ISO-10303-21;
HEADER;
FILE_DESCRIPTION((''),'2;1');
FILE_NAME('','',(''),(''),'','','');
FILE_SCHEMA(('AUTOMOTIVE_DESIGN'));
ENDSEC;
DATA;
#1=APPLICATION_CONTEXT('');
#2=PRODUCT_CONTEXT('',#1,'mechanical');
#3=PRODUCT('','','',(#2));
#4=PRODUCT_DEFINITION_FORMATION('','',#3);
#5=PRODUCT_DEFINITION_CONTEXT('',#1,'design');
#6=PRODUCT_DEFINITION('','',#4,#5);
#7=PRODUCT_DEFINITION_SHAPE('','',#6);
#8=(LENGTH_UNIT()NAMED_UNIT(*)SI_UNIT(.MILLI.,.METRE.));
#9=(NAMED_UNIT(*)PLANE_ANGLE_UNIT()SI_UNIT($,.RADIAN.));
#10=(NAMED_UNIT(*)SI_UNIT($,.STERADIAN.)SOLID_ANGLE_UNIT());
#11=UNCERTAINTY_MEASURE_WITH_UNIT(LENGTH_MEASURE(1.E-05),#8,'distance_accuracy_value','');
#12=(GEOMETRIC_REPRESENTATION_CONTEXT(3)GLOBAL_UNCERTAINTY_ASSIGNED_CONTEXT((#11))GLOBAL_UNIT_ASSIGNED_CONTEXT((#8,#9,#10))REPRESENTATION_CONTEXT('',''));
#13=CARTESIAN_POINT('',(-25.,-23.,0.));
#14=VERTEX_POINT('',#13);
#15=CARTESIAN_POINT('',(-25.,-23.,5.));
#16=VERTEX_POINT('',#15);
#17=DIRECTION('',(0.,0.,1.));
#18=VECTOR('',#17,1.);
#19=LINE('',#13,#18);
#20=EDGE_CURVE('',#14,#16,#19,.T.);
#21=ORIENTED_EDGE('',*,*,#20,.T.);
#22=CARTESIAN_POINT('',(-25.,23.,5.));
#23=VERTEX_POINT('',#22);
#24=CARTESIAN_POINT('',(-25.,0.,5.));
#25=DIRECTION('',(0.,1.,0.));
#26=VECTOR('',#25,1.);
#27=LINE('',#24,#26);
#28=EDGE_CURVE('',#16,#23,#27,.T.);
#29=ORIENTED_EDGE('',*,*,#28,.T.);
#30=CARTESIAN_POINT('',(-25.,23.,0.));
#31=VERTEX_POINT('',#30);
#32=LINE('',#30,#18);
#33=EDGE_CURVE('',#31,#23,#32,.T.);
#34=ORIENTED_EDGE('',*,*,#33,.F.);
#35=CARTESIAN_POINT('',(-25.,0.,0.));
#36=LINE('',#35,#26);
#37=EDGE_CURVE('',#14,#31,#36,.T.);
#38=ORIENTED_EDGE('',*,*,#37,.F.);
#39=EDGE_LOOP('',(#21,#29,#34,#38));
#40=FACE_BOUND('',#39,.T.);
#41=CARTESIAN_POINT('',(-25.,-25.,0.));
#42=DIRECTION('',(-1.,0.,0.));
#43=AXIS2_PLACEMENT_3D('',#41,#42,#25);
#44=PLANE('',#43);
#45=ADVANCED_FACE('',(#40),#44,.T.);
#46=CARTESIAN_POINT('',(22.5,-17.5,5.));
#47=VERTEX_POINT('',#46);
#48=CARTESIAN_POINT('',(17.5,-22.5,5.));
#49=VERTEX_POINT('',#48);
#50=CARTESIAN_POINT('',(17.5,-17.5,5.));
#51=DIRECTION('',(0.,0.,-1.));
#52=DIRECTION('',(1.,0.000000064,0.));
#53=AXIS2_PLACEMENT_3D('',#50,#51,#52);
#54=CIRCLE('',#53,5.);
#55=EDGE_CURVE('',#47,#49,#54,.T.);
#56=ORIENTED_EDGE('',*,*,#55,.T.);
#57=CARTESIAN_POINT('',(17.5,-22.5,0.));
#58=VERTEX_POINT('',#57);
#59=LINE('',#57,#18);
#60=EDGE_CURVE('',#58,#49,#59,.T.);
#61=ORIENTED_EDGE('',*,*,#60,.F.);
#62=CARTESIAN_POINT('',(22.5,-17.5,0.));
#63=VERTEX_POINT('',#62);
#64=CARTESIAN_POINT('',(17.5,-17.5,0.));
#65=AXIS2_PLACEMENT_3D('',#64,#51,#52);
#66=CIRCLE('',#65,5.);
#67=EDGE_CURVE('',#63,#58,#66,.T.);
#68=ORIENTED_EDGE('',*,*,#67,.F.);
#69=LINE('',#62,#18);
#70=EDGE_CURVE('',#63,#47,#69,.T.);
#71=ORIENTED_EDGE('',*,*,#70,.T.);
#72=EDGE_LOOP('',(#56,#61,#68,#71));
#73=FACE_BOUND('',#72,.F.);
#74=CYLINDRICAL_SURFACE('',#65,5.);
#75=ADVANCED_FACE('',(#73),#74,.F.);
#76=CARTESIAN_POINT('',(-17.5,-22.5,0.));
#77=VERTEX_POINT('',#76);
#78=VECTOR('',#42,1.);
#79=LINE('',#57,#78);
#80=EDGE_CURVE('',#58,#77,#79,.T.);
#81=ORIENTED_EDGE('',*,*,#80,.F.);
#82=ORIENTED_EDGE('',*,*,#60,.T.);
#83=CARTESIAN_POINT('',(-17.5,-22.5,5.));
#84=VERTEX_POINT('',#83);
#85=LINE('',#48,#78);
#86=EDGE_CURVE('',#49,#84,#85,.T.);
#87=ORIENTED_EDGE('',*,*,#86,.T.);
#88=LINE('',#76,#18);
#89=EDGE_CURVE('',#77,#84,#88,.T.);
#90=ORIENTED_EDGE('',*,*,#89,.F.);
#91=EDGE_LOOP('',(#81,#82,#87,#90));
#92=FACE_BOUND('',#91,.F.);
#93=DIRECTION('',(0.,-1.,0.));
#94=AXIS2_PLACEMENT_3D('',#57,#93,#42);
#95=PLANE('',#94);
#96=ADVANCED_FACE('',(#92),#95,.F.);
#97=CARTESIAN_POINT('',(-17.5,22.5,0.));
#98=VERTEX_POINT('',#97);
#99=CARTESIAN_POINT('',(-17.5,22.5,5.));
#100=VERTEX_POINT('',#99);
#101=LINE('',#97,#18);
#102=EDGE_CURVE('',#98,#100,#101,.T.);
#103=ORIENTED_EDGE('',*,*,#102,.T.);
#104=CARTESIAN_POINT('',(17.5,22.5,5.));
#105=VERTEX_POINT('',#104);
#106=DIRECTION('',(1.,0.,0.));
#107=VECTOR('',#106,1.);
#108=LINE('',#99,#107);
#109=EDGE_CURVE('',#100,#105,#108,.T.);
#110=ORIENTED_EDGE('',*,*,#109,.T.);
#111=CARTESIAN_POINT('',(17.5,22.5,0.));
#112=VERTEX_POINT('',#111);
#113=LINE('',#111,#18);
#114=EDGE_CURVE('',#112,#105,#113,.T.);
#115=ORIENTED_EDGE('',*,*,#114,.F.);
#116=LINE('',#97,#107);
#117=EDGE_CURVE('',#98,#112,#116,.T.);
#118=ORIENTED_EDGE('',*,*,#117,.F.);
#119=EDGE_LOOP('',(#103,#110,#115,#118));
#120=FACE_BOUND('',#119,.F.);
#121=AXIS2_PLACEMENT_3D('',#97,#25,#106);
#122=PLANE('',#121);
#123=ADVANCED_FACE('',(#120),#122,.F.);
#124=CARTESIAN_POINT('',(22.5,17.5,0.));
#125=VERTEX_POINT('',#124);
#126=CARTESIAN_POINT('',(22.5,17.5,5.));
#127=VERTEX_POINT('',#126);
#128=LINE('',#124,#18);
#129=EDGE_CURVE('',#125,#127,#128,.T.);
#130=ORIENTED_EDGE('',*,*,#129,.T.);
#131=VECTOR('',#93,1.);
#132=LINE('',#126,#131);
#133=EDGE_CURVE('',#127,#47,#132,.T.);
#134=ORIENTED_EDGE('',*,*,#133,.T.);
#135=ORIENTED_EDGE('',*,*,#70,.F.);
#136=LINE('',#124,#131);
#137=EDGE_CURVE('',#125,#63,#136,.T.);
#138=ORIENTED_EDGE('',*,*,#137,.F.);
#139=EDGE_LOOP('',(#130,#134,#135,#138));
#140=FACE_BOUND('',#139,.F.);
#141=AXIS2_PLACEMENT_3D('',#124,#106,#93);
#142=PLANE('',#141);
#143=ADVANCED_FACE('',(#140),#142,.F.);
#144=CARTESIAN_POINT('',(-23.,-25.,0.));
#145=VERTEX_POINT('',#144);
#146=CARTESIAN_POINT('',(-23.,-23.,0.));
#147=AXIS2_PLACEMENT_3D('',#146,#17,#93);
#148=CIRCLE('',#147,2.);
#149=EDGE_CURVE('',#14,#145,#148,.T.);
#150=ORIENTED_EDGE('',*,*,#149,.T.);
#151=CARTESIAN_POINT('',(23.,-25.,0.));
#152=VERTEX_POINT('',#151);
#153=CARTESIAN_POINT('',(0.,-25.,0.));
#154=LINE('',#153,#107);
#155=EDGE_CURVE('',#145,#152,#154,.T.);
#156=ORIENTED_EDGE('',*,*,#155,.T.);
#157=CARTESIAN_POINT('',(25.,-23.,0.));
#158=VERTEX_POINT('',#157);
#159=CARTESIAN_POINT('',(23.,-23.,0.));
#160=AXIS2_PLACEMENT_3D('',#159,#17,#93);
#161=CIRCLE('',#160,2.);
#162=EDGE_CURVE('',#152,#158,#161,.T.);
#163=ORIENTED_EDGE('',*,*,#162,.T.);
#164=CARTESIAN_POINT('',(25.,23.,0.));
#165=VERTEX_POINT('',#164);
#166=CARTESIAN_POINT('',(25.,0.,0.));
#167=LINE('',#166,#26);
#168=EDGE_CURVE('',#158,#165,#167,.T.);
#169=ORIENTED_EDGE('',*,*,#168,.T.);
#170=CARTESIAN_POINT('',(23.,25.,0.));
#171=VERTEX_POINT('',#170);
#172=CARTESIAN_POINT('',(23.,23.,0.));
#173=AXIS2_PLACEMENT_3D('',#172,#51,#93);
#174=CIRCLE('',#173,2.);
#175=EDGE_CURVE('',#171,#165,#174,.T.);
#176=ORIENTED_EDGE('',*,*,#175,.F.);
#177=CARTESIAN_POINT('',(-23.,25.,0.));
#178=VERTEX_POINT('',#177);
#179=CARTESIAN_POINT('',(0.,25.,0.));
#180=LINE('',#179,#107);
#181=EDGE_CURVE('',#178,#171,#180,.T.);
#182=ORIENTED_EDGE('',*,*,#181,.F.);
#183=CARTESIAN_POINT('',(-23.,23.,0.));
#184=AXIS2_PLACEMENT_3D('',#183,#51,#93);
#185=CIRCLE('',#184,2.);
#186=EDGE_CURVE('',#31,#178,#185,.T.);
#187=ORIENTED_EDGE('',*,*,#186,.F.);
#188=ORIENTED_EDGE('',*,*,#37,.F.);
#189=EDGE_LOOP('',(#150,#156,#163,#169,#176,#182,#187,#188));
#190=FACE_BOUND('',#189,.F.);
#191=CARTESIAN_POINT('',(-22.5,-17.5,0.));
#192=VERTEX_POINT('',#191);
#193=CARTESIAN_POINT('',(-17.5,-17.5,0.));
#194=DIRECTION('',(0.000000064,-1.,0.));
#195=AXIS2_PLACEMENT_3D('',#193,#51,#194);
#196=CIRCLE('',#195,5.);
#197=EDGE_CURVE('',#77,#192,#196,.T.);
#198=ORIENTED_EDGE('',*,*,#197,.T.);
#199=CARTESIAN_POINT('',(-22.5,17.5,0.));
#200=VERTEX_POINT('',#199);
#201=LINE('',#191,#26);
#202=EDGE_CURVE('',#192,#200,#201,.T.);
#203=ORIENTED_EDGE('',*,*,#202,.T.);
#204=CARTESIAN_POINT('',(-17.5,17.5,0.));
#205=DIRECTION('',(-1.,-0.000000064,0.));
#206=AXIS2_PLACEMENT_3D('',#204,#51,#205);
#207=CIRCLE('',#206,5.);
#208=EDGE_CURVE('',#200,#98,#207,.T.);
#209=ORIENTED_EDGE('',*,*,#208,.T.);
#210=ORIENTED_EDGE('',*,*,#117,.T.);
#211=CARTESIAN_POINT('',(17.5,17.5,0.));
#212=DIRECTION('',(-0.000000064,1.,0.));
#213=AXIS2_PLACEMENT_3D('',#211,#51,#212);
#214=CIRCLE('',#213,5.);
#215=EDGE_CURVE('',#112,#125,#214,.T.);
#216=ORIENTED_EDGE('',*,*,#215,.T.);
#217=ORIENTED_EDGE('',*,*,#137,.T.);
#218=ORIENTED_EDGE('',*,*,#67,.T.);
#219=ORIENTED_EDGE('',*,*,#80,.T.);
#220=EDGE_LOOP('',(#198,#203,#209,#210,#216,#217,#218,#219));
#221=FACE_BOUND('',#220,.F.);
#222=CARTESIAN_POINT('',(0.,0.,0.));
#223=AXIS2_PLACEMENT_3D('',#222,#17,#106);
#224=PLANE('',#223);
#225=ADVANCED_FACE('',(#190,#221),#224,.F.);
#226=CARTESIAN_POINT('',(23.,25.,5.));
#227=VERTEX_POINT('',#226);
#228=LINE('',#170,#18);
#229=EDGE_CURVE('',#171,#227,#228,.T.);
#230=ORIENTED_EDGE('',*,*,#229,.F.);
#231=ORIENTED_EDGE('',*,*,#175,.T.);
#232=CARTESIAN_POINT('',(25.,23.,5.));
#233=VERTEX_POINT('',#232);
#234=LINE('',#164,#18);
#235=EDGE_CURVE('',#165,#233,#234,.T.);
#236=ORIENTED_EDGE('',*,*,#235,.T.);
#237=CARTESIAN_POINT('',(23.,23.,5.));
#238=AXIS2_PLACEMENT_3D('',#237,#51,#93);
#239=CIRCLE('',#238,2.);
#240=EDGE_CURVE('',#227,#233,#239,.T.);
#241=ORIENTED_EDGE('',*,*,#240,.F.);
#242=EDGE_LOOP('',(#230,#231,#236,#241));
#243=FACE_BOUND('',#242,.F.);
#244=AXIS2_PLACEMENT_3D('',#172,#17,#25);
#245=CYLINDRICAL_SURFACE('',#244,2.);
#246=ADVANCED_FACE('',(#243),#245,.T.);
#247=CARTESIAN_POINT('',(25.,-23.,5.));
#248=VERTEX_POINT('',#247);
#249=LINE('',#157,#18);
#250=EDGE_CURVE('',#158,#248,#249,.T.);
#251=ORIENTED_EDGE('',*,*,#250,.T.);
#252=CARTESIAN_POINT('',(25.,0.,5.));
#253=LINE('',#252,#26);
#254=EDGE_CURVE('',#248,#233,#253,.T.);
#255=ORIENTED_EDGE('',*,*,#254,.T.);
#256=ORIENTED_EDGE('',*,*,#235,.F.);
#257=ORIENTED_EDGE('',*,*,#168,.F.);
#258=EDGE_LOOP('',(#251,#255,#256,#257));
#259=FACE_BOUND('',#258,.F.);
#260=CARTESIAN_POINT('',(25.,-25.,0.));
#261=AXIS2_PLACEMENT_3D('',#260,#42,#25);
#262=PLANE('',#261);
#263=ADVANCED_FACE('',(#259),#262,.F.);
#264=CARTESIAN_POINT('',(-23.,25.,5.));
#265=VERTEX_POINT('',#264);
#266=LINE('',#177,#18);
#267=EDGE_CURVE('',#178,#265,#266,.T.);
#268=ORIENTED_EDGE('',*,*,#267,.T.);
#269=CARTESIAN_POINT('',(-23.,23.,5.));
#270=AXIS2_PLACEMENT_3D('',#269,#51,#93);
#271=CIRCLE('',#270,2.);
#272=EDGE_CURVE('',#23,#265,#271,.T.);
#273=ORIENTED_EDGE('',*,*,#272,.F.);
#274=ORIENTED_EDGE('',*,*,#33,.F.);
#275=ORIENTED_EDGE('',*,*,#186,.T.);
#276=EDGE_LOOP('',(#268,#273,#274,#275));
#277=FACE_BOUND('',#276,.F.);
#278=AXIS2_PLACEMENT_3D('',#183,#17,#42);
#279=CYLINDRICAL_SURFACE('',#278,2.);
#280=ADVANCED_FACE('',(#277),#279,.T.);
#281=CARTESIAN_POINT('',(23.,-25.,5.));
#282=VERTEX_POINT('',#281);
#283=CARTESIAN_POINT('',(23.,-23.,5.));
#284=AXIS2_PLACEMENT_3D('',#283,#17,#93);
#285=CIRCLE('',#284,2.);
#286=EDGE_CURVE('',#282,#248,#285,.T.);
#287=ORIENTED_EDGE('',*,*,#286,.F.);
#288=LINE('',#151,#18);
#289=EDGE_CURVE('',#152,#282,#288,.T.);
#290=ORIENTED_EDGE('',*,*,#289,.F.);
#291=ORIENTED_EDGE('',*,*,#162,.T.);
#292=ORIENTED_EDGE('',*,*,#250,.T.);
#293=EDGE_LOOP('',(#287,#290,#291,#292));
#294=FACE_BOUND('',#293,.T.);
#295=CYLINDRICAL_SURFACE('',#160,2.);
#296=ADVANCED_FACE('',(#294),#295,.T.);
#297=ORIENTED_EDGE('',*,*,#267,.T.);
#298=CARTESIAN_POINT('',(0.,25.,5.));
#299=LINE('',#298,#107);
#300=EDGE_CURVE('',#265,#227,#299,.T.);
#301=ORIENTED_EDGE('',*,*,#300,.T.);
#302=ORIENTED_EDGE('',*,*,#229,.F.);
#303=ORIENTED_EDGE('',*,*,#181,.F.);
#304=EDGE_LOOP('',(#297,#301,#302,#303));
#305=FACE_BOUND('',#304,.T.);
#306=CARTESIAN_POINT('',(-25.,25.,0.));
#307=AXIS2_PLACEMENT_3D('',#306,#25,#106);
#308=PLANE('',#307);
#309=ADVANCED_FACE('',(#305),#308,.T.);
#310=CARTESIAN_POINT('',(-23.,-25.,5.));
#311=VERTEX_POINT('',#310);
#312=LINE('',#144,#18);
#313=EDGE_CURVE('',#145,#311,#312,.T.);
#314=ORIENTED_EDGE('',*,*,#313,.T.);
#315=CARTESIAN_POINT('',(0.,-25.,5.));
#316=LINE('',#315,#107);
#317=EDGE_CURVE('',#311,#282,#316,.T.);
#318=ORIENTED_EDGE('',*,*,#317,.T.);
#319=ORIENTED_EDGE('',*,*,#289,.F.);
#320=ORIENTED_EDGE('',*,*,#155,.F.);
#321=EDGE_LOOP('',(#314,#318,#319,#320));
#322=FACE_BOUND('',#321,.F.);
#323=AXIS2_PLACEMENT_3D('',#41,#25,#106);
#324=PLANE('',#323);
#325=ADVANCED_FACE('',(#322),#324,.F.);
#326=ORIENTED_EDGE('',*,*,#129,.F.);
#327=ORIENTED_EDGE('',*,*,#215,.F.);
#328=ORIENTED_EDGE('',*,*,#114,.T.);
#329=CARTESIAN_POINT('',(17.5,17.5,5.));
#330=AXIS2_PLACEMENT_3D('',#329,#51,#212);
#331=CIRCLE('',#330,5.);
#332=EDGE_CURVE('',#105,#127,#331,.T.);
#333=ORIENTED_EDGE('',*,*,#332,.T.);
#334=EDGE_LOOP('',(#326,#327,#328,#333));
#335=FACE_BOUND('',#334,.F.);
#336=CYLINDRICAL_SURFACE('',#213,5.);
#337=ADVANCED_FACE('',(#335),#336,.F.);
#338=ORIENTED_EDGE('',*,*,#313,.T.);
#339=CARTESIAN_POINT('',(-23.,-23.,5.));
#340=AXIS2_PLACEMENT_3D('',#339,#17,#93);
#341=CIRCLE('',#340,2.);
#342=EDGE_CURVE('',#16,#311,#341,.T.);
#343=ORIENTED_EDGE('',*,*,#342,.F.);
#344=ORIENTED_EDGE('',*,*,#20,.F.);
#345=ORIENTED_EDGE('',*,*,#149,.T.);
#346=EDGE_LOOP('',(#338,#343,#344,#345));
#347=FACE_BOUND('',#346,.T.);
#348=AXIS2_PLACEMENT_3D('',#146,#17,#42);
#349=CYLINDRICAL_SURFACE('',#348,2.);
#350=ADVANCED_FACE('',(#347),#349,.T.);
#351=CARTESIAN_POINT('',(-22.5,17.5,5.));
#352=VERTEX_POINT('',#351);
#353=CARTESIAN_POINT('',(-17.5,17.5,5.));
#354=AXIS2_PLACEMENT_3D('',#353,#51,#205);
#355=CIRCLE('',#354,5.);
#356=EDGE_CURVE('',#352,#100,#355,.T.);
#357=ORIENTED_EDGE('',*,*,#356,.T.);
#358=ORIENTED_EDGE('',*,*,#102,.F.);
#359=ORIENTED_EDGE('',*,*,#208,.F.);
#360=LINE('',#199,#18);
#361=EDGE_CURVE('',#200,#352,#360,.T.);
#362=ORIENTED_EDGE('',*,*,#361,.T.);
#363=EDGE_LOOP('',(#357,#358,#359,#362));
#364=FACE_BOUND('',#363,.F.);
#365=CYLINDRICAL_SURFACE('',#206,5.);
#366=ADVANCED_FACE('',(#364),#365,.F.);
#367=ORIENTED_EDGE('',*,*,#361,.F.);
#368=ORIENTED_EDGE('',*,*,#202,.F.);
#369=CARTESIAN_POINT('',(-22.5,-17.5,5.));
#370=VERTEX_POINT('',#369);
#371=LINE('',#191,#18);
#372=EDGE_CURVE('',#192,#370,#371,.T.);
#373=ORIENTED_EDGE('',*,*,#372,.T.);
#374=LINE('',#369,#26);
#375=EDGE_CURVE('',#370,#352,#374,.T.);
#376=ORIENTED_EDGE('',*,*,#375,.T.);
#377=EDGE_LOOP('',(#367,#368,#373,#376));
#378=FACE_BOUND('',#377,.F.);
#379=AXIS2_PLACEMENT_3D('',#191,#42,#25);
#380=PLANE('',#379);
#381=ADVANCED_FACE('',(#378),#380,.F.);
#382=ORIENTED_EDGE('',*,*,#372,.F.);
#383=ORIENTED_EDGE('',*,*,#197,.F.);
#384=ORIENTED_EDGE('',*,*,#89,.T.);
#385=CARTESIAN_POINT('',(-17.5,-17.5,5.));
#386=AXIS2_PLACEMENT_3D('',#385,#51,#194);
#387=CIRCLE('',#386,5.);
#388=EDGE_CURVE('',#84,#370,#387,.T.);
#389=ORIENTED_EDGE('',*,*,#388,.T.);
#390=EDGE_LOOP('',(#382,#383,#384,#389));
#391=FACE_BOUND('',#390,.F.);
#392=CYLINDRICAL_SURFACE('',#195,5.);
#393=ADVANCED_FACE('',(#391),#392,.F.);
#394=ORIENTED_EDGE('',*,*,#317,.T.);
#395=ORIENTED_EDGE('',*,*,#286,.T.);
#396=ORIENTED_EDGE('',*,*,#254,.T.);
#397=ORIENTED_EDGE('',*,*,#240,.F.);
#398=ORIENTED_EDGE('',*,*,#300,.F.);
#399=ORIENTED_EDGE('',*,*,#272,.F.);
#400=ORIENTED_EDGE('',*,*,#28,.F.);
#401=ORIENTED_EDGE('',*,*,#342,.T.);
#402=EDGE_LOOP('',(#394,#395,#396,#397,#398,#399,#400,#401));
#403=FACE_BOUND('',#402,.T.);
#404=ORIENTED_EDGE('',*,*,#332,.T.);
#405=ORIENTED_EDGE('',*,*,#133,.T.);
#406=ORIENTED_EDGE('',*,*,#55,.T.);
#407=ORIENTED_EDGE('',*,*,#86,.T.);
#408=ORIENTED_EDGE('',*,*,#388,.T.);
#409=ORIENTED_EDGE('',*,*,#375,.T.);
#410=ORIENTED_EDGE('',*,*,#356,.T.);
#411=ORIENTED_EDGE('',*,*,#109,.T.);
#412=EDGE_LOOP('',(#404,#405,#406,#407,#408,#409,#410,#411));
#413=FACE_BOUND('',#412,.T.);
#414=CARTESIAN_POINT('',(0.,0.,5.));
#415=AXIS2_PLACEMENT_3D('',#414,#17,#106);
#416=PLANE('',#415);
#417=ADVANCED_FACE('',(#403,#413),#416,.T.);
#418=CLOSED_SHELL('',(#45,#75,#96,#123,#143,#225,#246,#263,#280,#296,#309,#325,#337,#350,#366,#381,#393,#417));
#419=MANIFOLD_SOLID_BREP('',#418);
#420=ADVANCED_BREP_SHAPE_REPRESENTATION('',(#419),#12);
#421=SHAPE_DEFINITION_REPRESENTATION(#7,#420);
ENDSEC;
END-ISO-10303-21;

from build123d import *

# Parameters (mm, degrees)
F0_W     = 50
F0_H     = 50
F1_DEPTH = 5
F2_R     = 2


with BuildPart() as f1:
    # F0 (on Top) → F1 (new body)
    with BuildSketch(Plane.XY):
        Rectangle(F0_W, F0_H)
        with BuildLine():
            ThreePointArc((-22.5, 17.5), (-21.035534, 21.035534), (-17.5, 22.5))
            Line((-17.5, 22.5), (17.5, 22.5))
            ThreePointArc((17.5, 22.5), (21.035534, 21.035534), (22.5, 17.5))
            Line((22.5, 17.5), (22.5, -17.5))
            ThreePointArc((22.5, -17.5), (21.035534, -21.035534), (17.5, -22.5))
            Line((17.5, -22.5), (-17.5, -22.5))
            ThreePointArc((-17.5, -22.5), (-21.035534, -21.035534), (-22.5, -17.5))
            Line((-22.5, -17.5), (-22.5, 17.5))
        make_face(mode=Mode.SUBTRACT)
    extrude(amount=F1_DEPTH)

    # F2
    f2_edges = [f1.edges().sort_by_distance(p)[0] for p in [
        (-25, -25, 2.5),
        (25, -25, 2.5),
        (25, 25, 2.5),
        (-25, 25, 2.5),
    ]]
    fillet(f2_edges, radius=F2_R)


solid = f1.part
